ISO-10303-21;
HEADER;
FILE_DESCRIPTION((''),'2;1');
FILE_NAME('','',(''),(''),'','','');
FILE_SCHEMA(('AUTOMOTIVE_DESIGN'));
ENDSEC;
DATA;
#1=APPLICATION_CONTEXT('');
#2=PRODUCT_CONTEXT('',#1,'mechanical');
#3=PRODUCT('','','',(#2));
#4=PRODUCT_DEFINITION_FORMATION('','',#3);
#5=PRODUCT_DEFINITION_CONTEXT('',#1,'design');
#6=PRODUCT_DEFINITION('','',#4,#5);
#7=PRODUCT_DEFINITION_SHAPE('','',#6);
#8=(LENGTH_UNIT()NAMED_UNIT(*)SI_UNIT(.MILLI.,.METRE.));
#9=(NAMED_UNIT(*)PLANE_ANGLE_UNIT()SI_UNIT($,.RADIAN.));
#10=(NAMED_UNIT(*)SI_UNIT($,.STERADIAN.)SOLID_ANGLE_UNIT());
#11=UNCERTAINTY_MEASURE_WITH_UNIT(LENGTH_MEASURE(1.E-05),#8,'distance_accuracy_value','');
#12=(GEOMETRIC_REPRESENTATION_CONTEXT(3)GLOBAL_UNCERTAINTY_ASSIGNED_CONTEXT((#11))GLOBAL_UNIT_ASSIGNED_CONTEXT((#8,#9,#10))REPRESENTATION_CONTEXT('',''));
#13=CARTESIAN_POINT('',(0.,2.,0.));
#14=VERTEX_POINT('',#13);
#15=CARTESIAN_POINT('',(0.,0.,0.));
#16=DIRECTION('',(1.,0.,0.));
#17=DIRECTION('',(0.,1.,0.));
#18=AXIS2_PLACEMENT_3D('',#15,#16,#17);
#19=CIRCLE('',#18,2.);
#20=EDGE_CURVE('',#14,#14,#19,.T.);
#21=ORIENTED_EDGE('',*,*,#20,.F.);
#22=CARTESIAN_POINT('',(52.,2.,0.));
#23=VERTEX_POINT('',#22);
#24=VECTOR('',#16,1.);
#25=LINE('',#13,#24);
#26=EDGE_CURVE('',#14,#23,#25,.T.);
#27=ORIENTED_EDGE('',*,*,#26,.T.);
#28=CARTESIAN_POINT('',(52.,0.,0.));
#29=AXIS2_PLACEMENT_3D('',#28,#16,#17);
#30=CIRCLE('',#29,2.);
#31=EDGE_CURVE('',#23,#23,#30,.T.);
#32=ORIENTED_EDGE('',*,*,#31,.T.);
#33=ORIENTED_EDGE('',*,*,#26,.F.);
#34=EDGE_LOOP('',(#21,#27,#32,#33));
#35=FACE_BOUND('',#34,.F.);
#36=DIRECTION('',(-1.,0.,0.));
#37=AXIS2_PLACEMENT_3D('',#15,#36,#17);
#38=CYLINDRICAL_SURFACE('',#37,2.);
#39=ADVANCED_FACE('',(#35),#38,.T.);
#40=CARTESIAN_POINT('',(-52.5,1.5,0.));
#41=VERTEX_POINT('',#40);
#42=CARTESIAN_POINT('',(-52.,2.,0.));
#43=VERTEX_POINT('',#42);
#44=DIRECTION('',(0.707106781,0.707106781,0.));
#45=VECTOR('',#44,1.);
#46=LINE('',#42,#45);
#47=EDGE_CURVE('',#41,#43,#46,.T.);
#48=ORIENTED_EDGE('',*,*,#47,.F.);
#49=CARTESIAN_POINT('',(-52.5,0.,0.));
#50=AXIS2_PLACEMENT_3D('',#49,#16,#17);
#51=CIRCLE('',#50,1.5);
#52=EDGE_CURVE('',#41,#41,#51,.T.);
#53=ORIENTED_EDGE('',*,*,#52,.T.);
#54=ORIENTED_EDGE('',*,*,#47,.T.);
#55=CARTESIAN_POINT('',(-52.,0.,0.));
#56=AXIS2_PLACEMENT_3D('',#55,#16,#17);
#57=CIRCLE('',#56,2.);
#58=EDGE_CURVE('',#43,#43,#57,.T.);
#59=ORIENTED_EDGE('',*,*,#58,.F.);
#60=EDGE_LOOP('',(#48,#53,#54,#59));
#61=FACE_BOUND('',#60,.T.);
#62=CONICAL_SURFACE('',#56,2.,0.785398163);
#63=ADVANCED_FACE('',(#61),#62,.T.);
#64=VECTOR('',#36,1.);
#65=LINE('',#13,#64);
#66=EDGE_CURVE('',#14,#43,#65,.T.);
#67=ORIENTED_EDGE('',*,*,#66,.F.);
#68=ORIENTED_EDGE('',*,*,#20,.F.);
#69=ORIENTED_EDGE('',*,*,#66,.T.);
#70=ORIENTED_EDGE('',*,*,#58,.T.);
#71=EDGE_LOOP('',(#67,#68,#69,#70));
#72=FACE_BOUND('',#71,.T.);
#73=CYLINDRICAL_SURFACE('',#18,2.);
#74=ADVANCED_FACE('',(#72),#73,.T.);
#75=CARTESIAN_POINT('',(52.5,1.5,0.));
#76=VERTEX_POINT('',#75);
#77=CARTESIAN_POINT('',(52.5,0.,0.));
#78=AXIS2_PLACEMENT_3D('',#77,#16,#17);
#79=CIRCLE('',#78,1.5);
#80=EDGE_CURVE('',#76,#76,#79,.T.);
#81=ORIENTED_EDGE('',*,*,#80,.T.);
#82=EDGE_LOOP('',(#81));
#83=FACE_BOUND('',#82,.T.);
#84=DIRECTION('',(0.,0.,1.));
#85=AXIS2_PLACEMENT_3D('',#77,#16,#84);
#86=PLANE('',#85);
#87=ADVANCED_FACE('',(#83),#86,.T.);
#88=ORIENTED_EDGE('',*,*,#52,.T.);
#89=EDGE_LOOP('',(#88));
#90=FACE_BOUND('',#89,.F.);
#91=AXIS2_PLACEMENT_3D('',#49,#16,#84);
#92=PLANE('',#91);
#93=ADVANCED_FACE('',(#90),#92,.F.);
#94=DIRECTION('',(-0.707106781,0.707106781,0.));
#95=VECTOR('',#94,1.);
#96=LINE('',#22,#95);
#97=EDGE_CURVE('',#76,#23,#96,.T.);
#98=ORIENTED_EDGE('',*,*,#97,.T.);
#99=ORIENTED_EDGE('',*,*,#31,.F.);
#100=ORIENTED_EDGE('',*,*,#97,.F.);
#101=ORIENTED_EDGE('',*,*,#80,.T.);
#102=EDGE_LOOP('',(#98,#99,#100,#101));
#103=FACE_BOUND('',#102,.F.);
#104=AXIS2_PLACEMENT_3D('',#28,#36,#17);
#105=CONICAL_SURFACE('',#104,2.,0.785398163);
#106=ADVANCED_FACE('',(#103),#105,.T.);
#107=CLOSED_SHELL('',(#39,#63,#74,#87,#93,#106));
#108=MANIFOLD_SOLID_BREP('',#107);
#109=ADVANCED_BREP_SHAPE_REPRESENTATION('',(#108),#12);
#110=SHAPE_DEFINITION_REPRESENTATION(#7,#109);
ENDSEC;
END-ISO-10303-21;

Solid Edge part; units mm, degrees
sketch "Sketch1" plane through (0, 0, 0) normal (1, 0, 0) x (0, 1, 0)
  circle A0 centre (0, 0) radius 2
extrude "Protrusion1" add sketch "Sketch1" along normal mid plane 105
cosmetic_thread "Thread_1" size "M4" thread depth 8
cosmetic_thread "Thread_2" size "M4" thread depth 8
chamfer "Chamfer_1" distance 0.5 angle 45 1 edges at (52.5, -2, 0) measured on face at (52.5, 1.2933, -1.3733)
chamfer "Chamfer_2" distance 0.5 angle 45 1 edges at (-52.5, -2, 0) measured on face at (-52.5, 1.2933, -1.3733)
